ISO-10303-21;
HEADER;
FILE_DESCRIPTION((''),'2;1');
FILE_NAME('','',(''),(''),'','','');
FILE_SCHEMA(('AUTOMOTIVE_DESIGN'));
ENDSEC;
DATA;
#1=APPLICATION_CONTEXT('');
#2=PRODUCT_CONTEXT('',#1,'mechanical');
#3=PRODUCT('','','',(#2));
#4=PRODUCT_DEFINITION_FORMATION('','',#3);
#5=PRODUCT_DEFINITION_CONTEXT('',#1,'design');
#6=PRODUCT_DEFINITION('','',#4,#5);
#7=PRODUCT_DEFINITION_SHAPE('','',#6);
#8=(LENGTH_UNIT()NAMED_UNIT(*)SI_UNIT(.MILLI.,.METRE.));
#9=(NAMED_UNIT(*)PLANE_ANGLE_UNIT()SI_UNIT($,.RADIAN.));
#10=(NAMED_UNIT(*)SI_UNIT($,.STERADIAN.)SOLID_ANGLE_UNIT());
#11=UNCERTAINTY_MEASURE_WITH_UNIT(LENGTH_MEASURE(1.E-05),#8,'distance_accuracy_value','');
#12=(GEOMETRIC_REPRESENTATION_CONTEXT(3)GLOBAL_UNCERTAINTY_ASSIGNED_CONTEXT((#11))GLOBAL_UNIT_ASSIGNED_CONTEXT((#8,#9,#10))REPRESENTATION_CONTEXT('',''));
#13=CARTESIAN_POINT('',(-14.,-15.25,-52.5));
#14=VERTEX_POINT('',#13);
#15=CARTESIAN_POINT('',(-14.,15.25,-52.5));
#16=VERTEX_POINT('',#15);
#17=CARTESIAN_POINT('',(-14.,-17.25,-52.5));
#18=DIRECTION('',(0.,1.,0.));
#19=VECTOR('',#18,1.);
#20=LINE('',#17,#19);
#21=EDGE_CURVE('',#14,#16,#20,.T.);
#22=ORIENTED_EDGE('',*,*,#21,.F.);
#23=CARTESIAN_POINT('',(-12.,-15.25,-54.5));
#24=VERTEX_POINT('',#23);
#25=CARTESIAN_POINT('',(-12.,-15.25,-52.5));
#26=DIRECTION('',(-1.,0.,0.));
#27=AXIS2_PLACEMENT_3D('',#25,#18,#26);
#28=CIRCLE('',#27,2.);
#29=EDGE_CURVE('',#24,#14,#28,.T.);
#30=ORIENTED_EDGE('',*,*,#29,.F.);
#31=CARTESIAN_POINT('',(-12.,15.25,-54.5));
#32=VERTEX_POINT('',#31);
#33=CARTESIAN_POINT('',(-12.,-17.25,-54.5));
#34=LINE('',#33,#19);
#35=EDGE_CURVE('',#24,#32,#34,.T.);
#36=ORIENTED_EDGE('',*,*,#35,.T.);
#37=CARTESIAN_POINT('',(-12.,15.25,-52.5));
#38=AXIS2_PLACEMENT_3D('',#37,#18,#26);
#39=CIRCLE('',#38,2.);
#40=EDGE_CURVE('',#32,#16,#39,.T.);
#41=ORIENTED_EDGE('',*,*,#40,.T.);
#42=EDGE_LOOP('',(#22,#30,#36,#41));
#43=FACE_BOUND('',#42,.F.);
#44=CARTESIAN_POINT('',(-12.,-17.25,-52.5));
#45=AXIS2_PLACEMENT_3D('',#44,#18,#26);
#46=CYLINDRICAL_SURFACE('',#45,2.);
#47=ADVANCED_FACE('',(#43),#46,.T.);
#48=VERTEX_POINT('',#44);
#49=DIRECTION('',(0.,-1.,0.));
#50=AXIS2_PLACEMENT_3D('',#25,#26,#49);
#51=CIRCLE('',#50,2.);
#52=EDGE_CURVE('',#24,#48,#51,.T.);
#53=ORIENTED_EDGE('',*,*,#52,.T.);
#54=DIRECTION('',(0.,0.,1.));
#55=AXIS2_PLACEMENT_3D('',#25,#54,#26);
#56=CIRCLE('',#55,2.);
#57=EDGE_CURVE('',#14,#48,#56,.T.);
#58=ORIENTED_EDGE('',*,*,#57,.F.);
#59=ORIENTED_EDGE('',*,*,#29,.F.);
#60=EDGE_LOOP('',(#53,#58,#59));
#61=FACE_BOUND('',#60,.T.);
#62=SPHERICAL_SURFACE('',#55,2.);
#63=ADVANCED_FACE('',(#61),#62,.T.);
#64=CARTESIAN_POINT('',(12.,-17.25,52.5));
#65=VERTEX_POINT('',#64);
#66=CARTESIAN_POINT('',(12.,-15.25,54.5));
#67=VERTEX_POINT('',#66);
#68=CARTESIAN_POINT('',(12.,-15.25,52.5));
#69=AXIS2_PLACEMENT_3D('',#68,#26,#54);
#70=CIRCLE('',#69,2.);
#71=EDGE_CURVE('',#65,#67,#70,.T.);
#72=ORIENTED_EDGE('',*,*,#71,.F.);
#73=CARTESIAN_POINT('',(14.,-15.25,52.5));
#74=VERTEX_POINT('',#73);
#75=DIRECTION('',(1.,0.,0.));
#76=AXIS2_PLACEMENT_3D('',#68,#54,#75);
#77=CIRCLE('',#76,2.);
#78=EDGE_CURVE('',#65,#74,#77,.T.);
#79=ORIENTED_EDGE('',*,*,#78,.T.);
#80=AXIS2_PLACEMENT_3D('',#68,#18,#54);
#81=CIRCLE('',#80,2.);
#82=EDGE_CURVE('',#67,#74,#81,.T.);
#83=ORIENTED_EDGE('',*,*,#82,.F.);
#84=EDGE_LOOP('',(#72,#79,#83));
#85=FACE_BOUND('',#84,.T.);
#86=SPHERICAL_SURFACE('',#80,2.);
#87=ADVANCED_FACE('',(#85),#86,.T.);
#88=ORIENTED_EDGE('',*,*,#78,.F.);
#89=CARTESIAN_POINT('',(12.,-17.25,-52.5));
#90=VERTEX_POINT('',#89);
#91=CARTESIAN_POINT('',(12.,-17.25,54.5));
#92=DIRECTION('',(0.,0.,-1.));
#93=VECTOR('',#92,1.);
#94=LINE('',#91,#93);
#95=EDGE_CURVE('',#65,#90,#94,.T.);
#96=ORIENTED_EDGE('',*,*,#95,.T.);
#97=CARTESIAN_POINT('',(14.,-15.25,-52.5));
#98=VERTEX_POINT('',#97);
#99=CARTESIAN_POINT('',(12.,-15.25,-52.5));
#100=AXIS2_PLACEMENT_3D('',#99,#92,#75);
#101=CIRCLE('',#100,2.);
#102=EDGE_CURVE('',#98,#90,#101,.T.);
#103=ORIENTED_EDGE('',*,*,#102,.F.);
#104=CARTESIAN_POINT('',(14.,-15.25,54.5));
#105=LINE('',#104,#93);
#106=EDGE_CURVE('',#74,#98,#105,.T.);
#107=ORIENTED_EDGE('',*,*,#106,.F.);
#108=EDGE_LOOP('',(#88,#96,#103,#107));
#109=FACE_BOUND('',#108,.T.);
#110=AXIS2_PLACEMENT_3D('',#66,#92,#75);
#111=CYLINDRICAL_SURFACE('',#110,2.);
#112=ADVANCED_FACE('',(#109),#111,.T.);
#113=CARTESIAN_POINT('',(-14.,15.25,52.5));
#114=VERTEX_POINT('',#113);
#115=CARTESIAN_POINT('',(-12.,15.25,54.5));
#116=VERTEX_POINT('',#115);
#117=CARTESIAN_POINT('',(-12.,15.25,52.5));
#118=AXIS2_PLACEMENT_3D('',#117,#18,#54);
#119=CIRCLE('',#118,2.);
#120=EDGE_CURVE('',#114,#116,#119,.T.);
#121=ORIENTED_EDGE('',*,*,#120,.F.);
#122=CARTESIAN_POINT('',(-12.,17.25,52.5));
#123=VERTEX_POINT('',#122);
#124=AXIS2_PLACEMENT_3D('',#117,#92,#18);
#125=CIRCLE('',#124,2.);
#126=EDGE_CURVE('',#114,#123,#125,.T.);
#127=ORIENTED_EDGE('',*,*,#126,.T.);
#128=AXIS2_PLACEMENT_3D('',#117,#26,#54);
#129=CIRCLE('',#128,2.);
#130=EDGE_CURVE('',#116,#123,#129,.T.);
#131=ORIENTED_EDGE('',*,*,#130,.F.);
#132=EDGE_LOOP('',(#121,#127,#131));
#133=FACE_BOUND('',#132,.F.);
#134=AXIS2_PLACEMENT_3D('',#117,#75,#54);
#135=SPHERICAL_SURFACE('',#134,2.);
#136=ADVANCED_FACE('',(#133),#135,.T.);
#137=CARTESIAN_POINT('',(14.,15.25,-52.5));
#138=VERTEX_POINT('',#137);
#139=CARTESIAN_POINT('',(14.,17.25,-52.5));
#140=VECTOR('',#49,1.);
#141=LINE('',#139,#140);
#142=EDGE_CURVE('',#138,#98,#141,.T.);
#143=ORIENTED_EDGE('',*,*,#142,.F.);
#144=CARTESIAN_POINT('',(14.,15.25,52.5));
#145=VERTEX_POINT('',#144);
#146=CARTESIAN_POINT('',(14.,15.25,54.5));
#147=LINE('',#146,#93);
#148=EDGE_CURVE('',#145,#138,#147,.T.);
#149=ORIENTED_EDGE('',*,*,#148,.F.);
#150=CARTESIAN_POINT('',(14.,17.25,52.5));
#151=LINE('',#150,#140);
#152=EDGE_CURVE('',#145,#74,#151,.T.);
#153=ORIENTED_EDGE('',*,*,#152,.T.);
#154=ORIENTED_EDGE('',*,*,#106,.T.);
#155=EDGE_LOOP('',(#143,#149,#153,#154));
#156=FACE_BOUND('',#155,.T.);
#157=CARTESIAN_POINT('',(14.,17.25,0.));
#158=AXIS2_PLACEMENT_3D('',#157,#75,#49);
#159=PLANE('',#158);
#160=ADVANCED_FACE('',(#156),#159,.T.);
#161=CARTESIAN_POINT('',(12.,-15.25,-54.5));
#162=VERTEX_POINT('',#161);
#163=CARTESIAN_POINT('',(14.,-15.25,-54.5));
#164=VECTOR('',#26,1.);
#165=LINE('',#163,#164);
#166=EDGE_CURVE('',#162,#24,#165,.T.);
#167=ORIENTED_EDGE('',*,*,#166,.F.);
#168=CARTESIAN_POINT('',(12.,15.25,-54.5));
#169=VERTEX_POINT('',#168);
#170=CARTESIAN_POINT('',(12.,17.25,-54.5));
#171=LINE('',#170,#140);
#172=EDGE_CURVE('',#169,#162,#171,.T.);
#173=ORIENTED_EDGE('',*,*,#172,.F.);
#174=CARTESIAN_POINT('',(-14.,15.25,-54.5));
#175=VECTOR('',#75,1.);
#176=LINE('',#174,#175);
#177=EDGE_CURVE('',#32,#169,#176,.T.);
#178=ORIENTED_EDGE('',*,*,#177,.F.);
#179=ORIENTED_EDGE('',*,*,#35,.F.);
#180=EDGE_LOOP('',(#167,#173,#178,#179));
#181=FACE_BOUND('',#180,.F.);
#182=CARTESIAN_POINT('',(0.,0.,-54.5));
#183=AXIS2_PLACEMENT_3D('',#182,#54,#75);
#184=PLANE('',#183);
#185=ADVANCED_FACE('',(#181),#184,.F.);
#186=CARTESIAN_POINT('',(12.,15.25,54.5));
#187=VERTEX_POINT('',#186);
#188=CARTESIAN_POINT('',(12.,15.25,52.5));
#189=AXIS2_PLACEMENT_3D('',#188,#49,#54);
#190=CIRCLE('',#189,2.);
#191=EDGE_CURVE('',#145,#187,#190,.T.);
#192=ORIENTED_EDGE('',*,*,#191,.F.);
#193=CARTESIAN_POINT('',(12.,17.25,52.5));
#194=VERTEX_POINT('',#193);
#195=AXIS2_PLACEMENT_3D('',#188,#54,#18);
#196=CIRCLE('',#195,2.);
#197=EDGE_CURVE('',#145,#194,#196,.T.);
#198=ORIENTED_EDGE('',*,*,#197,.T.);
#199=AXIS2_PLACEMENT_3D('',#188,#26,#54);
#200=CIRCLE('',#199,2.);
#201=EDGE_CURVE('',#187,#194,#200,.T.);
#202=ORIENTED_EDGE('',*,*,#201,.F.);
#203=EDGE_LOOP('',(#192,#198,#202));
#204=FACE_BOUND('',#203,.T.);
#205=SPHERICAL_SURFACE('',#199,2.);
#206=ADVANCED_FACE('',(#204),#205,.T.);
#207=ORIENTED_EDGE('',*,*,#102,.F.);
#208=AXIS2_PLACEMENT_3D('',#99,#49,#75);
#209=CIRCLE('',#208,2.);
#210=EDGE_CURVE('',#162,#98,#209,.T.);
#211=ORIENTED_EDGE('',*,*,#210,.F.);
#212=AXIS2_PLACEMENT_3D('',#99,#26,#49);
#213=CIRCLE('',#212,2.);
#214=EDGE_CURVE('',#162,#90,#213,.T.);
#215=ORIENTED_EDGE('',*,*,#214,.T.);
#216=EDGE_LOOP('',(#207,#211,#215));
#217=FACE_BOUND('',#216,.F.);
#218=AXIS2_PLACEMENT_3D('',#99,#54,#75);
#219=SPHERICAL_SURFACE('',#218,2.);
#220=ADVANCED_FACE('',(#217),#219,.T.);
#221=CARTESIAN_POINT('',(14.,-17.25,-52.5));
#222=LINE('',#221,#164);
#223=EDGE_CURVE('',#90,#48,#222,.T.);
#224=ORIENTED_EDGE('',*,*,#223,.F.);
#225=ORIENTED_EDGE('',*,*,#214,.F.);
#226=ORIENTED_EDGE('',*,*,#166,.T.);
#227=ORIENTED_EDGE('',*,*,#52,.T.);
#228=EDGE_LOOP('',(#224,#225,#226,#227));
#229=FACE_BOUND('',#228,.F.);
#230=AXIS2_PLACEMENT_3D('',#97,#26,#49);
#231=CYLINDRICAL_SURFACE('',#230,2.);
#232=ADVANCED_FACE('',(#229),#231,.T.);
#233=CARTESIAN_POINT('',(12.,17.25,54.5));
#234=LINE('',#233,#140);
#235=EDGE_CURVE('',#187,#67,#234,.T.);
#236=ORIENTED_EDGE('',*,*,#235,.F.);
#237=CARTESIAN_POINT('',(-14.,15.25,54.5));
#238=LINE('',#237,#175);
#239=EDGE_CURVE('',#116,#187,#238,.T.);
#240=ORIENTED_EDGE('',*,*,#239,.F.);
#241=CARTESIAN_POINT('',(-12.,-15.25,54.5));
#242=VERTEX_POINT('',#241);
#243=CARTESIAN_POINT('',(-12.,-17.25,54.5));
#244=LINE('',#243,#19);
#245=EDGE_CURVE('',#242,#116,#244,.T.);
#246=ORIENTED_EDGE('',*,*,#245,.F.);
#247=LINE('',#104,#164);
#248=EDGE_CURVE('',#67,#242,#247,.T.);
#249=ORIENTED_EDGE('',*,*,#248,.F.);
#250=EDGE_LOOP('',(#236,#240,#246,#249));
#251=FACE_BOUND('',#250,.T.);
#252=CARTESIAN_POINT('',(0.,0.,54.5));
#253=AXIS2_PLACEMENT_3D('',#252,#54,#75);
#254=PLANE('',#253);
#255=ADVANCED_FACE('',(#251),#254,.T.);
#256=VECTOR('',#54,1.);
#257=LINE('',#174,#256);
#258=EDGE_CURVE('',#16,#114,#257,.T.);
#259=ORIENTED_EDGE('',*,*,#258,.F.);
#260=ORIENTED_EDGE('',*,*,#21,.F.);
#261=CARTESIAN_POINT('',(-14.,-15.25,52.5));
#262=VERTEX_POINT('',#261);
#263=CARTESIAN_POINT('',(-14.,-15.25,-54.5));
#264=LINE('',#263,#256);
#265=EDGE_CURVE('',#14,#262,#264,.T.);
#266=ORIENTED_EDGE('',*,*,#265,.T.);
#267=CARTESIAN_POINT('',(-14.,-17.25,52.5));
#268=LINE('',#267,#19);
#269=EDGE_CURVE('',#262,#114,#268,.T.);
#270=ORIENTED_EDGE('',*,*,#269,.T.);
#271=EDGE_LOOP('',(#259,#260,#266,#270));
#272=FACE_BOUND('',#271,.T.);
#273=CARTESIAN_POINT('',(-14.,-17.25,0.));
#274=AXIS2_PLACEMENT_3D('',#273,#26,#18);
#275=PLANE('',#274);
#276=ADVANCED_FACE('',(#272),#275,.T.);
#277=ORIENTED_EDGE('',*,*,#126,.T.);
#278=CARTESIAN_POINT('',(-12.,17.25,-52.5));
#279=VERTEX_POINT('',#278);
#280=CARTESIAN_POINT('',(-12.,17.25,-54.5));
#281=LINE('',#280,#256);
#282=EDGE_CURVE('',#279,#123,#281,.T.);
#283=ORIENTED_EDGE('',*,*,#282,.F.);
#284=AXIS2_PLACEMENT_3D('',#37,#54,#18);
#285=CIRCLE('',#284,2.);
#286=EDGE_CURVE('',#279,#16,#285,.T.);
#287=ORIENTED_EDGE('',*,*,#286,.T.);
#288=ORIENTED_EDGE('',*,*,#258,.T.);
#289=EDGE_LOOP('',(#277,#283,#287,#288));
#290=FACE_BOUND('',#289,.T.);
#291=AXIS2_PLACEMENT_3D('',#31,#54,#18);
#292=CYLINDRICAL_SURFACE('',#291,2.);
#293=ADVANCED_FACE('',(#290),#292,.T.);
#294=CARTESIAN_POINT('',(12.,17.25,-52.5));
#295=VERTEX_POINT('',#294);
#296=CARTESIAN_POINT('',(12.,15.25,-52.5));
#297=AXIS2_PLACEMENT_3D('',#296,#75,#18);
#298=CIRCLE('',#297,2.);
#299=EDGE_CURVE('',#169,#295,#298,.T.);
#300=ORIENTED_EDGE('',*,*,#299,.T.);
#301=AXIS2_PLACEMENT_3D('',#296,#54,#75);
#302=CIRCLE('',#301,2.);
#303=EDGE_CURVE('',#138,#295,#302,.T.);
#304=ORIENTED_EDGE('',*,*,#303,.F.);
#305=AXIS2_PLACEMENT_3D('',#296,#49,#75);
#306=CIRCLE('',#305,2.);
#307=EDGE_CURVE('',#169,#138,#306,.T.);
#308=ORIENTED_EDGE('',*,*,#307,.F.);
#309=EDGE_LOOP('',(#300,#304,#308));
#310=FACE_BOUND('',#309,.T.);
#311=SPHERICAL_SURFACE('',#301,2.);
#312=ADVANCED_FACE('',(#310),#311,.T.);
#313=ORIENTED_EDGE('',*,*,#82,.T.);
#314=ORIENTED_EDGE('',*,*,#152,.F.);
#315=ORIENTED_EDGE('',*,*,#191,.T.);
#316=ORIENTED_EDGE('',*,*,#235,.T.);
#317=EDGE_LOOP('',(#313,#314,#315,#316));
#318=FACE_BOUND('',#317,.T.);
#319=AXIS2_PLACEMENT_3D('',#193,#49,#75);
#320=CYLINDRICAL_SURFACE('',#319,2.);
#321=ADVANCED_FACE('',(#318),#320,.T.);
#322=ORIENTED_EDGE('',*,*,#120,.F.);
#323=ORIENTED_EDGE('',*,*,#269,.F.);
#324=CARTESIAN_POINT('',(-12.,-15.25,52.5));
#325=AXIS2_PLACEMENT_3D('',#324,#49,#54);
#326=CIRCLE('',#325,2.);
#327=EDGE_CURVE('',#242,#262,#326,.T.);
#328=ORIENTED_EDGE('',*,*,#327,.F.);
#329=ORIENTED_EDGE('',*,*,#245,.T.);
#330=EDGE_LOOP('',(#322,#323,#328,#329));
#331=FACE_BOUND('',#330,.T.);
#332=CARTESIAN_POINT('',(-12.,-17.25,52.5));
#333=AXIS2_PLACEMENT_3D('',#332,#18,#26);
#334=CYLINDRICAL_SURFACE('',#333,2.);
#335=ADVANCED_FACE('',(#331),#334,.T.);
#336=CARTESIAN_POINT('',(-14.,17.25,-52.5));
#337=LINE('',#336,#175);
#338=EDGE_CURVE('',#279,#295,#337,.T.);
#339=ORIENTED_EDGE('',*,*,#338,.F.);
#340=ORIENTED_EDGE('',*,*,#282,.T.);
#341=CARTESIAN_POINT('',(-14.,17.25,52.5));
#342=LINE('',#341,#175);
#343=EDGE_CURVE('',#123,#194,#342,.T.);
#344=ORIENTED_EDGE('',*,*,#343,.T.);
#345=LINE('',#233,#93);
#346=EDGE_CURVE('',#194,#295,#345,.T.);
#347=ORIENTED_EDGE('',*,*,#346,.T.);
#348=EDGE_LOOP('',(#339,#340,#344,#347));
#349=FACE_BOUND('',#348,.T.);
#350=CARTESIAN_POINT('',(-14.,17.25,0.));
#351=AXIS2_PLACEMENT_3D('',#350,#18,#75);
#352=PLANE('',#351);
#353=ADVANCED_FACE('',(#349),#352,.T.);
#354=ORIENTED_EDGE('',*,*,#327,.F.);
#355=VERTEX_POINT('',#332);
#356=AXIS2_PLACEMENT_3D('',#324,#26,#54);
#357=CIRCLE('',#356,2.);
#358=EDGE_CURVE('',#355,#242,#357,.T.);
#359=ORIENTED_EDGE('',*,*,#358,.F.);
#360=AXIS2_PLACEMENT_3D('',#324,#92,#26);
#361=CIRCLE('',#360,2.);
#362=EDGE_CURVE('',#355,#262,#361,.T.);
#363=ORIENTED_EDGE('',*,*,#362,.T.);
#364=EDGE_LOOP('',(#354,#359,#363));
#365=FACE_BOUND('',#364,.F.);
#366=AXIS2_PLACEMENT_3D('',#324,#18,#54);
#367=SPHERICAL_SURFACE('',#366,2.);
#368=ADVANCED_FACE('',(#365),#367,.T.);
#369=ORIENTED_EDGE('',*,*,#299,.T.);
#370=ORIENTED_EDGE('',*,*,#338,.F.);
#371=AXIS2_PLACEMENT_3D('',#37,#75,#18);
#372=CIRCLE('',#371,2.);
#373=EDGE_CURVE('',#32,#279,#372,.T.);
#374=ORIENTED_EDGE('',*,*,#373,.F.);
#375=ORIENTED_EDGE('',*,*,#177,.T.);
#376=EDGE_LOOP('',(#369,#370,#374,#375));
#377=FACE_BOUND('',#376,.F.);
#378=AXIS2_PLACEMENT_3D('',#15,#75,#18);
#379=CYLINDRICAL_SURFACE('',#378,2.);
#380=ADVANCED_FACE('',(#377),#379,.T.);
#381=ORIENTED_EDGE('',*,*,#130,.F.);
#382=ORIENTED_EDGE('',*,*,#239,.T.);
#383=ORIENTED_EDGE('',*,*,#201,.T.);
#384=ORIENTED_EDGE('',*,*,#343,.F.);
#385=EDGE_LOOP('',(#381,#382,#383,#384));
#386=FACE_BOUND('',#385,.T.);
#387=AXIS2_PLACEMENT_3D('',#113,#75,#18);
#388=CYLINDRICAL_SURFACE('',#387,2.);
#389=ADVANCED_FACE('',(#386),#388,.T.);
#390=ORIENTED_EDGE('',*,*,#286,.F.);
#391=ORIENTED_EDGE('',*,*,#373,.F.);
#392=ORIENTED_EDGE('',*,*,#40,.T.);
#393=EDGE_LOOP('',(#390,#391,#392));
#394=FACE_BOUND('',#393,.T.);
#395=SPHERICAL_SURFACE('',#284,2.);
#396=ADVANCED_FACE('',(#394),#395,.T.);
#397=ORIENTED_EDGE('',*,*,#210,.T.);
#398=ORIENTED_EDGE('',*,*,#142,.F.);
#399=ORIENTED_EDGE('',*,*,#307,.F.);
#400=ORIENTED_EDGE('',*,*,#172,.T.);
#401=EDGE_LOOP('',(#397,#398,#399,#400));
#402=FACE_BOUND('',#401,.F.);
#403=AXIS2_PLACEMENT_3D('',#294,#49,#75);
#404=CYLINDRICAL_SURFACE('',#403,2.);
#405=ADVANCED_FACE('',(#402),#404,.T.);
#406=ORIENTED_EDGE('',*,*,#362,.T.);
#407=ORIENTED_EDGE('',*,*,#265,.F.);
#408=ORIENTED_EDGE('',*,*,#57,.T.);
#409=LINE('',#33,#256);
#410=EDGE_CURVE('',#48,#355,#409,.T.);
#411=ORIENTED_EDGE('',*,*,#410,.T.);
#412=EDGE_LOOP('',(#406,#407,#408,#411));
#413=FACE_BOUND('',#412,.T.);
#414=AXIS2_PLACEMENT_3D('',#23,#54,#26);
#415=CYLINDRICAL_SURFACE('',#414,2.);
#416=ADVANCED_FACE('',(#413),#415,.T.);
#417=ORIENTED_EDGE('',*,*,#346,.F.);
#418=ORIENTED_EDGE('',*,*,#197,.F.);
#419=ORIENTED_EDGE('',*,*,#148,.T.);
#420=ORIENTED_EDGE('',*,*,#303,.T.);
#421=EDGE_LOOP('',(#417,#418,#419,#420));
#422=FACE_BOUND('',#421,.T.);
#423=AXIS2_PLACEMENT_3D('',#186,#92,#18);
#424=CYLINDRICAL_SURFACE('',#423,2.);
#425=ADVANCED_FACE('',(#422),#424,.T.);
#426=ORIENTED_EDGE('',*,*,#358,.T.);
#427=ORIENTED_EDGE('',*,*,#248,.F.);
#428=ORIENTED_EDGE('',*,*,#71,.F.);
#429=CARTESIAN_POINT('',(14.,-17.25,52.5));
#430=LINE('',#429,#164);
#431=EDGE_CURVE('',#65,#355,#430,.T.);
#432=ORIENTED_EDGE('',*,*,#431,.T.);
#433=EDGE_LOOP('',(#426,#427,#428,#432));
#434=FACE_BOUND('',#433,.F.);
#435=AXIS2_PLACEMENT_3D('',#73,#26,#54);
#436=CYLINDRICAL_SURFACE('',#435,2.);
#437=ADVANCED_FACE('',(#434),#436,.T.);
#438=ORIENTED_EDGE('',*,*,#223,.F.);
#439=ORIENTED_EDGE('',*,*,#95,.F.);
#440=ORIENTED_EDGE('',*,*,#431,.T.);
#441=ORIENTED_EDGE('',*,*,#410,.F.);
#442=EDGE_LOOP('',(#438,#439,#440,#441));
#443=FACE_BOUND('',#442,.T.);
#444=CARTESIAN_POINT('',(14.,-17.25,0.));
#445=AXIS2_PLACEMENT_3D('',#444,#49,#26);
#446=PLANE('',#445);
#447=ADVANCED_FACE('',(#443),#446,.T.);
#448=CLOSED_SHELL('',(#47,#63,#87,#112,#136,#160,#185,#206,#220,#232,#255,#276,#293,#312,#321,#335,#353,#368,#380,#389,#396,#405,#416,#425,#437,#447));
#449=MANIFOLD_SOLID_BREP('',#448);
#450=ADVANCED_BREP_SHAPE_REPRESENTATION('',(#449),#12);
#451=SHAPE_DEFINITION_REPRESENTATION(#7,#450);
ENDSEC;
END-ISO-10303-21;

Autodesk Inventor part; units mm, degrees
ref_plane "YZ Plane" through (0, 0, 0) normal (1, 0, 0) x (0, 1, 0)
ref_plane "XZ Plane" through (0, 0, 0) normal (0, 1, 0) x (-1, 0, 0)
ref_plane "XY Plane" through (0, 0, 0) normal (0, 0, 1) x (1, 0, 0)
sketch "スケッチ1" plane through (0, 0, 0) normal (0, 0, 1) x (1, 0, 0)
  line L0 (-14, 17.25) -> (14, 17.25)
  line L1 (14, 17.25) -> (14, -17.25)
  line L2 (14, -17.25) -> (-14, -17.25)
  line L3 (-14, -17.25) -> (-14, 17.25)
  line L4 (0, 0) -> (0, 17.25) construction
  line L5 (0, 0) -> (14, 0) construction
  dimension "d0" = 28
  dimension "d1" = 34.5
extrude "押し出し1" add sketch "スケッチ1" along normal mid plane 109
fillet "フィレット1" radius 2 12 edges at (0, 17.25, 54.5) (14, 0, 54.5) (-14, 0, 54.5) (0, -17.25, 54.5) (14, 17.25, 0) (-14, 17.25, 0) (14, -17.25, 0) (14, 0, -54.5) (0, 17.25, -54.5) (-14, -17.25, 0) (-14, 0, -54.5) (0, -17.25, -54.5)
properties part number "20_042_BATTERY_R1"
